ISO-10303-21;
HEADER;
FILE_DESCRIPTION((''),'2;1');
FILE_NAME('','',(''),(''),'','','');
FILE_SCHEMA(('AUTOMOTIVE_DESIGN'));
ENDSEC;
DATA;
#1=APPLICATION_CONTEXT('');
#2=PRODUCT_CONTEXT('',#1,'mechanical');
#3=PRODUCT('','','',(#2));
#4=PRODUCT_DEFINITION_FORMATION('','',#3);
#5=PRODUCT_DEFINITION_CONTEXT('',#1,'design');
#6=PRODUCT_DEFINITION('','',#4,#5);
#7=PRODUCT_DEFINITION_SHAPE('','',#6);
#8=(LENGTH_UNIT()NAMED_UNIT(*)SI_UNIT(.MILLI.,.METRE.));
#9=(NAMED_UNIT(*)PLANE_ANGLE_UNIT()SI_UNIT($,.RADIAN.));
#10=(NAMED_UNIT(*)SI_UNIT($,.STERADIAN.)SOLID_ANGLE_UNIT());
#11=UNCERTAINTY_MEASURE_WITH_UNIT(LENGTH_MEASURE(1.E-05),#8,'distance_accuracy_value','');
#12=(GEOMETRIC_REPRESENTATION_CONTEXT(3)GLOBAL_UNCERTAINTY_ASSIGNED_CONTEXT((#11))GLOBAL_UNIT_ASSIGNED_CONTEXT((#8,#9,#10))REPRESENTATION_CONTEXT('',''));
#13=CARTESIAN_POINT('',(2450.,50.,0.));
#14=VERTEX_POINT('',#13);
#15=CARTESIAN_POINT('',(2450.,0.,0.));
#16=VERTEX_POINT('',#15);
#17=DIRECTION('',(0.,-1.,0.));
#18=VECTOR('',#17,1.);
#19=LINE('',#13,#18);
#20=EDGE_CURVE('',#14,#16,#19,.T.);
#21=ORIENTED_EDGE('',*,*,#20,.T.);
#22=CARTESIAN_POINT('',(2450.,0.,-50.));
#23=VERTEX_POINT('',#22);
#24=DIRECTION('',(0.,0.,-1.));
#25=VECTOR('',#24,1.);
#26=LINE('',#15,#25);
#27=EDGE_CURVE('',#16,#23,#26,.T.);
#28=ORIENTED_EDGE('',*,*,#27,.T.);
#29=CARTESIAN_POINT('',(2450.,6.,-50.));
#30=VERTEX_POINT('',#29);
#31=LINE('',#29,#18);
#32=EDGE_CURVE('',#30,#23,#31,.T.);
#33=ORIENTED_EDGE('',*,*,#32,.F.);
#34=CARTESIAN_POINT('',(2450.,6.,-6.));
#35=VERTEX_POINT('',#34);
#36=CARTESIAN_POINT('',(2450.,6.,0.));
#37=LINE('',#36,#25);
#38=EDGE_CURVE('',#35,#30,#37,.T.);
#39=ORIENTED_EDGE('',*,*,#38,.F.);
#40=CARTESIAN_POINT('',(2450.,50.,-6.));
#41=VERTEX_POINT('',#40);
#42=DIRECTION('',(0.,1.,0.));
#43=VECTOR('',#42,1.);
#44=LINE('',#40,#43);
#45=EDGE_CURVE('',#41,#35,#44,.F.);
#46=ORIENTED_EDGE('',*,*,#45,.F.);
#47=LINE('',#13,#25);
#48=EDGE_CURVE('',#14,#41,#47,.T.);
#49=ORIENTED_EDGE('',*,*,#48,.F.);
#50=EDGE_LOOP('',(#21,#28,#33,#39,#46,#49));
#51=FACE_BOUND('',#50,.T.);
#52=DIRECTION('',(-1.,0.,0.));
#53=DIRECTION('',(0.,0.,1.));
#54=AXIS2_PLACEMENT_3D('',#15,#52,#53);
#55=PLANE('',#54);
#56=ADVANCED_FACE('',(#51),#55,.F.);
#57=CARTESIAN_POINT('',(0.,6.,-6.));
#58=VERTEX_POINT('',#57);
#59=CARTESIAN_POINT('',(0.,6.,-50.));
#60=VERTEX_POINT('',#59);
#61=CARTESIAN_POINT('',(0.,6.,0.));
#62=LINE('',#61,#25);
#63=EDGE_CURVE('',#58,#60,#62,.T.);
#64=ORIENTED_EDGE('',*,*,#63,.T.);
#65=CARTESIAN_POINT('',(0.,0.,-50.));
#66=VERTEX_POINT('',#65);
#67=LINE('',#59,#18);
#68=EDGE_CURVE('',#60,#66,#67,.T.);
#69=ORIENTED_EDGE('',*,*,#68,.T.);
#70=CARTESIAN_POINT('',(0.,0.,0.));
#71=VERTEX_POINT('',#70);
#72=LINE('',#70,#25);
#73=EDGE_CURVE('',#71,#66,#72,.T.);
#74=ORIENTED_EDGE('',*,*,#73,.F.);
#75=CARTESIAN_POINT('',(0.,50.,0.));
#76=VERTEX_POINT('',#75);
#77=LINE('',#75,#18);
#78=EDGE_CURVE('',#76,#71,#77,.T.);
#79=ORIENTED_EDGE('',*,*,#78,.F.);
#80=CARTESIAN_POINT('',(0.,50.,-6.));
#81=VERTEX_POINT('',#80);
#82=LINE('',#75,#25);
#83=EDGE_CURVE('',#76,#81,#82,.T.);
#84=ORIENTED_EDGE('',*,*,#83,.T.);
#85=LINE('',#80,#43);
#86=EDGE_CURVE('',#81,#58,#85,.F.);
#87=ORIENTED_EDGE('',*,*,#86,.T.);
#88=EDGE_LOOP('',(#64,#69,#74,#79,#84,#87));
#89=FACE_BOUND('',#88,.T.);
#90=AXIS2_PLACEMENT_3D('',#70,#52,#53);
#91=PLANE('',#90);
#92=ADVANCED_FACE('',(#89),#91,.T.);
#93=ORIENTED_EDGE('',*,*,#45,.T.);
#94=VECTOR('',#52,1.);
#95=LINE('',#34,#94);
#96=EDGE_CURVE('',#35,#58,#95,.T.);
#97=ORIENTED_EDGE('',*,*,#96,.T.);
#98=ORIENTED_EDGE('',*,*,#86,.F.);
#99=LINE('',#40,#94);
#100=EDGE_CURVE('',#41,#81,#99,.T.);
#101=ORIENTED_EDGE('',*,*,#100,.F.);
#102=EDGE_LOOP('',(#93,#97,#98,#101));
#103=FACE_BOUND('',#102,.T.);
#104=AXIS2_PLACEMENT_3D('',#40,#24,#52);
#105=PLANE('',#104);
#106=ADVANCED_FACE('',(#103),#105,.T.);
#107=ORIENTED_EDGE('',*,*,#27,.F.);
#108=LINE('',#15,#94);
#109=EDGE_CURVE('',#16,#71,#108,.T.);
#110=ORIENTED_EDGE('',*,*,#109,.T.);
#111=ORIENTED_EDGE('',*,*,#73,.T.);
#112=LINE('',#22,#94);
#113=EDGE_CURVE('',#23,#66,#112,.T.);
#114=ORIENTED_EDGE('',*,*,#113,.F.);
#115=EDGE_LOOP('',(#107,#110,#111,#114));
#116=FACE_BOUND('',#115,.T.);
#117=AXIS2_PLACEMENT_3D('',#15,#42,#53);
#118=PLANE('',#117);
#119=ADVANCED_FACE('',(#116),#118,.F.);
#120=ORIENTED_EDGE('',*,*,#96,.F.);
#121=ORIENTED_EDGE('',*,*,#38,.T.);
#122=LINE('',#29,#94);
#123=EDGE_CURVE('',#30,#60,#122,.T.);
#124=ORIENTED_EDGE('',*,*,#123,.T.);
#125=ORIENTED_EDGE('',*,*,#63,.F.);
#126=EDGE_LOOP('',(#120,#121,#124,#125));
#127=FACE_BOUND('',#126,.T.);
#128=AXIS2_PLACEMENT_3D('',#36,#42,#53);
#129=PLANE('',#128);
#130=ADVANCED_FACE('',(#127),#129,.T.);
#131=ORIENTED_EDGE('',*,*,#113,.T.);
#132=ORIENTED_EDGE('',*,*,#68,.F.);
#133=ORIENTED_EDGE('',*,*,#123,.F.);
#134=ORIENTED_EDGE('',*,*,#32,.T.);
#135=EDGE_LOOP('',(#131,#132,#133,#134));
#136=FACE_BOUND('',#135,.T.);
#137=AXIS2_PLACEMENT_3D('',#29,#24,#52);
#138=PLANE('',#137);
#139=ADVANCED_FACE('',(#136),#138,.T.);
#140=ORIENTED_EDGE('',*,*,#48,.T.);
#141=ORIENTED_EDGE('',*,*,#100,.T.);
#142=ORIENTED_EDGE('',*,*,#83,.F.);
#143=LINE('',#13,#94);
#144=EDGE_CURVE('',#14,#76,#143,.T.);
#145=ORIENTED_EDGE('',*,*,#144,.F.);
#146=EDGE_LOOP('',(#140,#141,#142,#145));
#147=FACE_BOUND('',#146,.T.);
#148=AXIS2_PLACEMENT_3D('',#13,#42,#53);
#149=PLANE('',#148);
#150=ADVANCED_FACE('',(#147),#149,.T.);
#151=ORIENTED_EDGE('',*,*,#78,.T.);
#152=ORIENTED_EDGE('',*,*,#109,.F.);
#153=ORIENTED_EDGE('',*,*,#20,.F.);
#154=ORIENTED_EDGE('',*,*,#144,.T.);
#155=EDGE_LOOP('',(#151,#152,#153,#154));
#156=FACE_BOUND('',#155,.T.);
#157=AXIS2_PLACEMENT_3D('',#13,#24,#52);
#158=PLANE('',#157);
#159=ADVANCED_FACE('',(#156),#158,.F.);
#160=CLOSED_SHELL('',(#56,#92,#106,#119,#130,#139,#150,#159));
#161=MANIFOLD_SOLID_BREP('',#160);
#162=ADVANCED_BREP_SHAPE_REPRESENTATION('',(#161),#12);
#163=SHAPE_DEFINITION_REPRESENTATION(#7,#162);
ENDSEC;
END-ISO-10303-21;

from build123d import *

# Parameters (mm, degrees)
EXTRUDE_2_DEPTH = 2450


with BuildPart() as part:
    # Эскиз1 → Вытянуть-Тонкостенный2 (new body)
    with BuildSketch(Plane(origin=(0, 0, 0), x_dir=(0, 0, -1), z_dir=(1, 0, 0))):
        Polygon((0, 50), (0, 0), (50, 0), (50, 6), (6, 6), (6, 50), align=None)
    extrude(amount=EXTRUDE_2_DEPTH)


solid = part.part
